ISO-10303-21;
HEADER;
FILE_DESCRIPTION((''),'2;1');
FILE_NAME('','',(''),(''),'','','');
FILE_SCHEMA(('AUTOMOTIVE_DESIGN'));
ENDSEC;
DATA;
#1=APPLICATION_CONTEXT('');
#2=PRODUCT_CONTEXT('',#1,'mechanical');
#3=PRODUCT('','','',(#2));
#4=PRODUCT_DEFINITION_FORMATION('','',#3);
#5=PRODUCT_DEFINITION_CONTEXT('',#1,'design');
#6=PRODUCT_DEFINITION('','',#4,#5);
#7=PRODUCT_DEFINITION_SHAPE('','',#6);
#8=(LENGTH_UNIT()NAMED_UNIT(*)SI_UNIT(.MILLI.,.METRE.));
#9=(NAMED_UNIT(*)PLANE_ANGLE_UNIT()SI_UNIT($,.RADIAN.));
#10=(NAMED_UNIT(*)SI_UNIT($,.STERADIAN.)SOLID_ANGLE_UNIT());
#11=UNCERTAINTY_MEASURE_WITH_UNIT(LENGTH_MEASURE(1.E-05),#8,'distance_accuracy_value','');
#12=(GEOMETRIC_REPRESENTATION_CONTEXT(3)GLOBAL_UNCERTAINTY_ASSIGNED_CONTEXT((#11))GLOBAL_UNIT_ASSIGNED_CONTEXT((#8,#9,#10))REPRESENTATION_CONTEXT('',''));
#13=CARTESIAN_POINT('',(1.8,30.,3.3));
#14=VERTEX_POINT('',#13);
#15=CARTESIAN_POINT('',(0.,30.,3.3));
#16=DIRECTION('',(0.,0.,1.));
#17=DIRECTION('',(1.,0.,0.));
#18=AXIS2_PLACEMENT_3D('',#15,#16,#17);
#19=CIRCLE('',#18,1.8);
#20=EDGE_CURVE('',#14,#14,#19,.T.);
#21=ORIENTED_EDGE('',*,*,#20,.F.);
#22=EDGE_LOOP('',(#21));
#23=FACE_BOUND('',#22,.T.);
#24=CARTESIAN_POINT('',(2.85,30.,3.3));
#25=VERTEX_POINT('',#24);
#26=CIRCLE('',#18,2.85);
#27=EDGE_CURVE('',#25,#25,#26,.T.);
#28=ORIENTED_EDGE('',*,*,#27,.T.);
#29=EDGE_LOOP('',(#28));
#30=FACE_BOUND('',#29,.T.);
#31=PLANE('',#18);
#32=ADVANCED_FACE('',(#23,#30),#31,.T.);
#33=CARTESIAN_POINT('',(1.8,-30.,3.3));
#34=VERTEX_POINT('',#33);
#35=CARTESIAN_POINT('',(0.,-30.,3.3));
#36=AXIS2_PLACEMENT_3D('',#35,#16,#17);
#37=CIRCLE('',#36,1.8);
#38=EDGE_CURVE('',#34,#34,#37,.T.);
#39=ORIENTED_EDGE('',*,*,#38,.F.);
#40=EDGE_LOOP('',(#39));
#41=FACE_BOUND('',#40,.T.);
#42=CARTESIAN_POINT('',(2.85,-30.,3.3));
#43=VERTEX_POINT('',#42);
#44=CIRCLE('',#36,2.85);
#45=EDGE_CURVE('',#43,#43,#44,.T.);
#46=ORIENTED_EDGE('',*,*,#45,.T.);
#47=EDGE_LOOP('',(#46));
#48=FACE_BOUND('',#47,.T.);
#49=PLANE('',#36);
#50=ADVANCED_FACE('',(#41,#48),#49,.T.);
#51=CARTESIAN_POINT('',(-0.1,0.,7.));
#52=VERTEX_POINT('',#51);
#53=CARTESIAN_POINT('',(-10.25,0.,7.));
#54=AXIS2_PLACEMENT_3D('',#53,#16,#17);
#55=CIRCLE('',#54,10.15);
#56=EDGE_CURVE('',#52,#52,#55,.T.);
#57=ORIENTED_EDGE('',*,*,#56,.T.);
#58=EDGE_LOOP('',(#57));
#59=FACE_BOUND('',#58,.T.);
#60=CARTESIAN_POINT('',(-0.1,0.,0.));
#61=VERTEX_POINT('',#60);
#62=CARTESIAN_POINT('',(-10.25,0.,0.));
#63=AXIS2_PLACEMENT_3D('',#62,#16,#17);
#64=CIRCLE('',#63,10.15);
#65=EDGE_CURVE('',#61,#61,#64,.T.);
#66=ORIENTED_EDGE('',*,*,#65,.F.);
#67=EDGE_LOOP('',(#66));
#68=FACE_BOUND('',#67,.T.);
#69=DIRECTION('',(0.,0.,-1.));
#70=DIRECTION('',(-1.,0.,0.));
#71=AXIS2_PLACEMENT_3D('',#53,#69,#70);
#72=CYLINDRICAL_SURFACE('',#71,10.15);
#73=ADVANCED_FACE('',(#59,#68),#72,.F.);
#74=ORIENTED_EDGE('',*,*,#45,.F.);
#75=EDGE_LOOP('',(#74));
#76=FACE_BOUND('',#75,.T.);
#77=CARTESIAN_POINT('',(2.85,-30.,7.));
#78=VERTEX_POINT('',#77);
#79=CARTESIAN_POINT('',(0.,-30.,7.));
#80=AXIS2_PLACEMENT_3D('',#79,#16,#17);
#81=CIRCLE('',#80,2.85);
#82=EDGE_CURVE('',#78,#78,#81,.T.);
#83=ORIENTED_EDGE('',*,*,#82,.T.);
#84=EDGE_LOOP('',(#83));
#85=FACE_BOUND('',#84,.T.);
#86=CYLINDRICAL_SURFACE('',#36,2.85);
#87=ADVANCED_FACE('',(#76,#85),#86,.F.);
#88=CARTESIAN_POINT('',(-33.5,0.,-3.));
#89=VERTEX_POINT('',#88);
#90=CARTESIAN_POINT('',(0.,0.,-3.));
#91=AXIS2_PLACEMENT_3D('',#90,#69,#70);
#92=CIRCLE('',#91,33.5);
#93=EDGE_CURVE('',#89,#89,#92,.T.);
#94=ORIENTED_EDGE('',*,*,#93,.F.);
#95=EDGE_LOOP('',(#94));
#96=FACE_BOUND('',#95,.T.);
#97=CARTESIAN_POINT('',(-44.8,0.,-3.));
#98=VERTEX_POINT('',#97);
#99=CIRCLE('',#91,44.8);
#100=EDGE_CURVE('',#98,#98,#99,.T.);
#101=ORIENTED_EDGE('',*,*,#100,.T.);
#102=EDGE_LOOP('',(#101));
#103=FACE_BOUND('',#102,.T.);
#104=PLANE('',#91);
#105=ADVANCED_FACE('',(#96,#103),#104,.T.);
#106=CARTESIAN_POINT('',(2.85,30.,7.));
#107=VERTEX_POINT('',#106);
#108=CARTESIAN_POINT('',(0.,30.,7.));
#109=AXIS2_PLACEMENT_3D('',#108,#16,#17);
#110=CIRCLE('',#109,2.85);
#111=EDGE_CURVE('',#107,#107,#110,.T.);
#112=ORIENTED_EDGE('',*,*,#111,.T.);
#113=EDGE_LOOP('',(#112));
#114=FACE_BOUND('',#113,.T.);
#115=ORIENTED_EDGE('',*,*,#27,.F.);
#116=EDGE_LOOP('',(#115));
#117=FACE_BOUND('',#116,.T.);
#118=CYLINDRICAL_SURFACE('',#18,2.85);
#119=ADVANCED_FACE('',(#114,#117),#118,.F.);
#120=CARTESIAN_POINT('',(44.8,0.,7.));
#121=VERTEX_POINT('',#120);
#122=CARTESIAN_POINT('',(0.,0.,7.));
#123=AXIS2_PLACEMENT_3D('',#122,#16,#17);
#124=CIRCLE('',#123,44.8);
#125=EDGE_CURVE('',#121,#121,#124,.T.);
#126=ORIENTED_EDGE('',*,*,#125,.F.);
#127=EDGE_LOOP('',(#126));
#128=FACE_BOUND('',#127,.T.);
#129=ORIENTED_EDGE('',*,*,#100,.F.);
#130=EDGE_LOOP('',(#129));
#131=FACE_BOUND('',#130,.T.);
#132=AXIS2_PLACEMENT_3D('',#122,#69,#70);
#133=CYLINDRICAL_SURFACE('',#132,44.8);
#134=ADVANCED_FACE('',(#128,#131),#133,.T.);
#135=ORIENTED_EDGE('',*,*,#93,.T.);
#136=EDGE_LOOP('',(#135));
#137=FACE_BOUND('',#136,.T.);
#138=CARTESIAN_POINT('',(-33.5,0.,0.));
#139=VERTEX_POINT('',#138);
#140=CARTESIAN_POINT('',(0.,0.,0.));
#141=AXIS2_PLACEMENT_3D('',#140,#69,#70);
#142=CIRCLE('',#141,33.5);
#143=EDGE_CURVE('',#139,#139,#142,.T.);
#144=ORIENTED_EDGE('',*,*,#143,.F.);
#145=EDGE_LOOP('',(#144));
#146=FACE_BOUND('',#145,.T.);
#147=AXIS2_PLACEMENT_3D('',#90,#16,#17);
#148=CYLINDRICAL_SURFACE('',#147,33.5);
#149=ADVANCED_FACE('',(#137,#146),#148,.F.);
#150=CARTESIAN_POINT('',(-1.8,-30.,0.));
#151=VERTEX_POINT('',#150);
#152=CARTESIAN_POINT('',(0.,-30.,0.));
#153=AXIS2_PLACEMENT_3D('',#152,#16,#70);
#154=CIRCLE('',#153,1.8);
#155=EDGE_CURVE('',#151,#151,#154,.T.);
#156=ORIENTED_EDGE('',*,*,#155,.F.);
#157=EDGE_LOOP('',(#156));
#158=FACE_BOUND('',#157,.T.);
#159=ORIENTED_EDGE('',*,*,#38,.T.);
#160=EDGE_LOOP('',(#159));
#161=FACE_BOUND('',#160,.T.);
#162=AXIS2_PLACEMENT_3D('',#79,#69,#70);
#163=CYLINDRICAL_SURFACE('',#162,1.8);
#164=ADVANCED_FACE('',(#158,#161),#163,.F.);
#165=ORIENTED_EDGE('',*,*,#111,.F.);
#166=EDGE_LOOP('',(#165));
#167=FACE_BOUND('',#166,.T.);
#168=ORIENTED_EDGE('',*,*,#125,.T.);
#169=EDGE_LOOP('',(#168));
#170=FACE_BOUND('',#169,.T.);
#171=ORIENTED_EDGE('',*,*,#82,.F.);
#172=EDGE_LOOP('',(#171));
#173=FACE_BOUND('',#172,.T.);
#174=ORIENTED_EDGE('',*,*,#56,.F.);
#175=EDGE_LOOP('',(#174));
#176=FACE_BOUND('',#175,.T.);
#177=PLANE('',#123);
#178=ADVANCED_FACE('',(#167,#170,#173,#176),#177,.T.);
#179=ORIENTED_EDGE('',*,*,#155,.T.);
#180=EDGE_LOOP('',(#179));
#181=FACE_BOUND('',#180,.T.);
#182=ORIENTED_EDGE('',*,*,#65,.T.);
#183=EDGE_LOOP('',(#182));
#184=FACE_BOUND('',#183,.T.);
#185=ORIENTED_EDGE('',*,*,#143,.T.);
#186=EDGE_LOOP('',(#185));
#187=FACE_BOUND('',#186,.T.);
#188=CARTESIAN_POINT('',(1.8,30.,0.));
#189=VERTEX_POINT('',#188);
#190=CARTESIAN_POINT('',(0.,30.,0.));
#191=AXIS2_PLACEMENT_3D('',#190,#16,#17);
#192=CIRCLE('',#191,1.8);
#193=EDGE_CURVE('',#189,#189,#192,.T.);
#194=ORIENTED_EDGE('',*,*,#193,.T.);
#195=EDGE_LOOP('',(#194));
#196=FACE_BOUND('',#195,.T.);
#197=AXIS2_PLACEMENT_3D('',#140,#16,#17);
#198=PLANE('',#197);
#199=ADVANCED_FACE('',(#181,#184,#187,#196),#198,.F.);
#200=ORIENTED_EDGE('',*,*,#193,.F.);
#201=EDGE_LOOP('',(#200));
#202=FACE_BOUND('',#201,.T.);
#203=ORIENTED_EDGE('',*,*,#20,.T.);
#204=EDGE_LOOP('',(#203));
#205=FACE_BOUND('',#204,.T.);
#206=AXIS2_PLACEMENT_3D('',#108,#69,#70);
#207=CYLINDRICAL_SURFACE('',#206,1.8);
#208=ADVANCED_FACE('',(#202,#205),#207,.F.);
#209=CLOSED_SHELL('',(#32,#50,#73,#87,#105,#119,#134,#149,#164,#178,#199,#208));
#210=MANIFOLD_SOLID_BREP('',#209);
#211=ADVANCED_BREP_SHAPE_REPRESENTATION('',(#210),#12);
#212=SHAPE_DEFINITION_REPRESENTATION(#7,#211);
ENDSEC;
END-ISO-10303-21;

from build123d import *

# Parameters (mm, degrees)
ESQUISSE1_R             = 44.8
ESQUISSE1_R_2           = 10.15
ESQUISSE1_R_3           = 1.8
BOSS_EXTRU_1_DEPTH      = 7
BOSS_EXTRU_2_START      = 3
ESQUISSE3_R             = 44.8
ESQUISSE3_R_2           = 33.5
BOSS_EXTRU_2_DEPTH      = 3
ESQUISSE4_R             = 2.85
ENL_V_MAT_EXTRU_3_DEPTH = 3.7


with BuildPart() as part:
    # Esquisse1 → Boss.-Extru.1 (new body)
    with BuildSketch(Plane.XY):
        Circle(ESQUISSE1_R)
        with Locations((-10.25, 0)):
            Circle(ESQUISSE1_R_2, mode=Mode.SUBTRACT)
        with Locations((0, 30)):
            Circle(ESQUISSE1_R_3, mode=Mode.SUBTRACT)
        with Locations(Location((0, -30, 0), (0, 0, 180))):
            Circle(ESQUISSE1_R_3, mode=Mode.SUBTRACT)
    extrude(amount=BOSS_EXTRU_1_DEPTH)

    # Esquisse3 → Boss.-Extru.2 (add)
    with BuildSketch(Plane(origin=(0, 0, 0), x_dir=(-1, 0, 0), z_dir=(0, 0, -1)).offset(BOSS_EXTRU_2_START)):
        Circle(ESQUISSE3_R)
        Circle(ESQUISSE3_R_2, mode=Mode.SUBTRACT)
    extrude(amount=-BOSS_EXTRU_2_DEPTH)

    # Esquisse4 → Enlèv. mat.-Extru.3 (cut)
    with BuildSketch(Plane.XY.offset(7)):
        with Locations((0, 30)):
            Circle(ESQUISSE4_R)
        with Locations((0, -30)):
            Circle(ESQUISSE4_R)
    extrude(amount=-ENL_V_MAT_EXTRU_3_DEPTH, mode=Mode.SUBTRACT)


solid = part.part
